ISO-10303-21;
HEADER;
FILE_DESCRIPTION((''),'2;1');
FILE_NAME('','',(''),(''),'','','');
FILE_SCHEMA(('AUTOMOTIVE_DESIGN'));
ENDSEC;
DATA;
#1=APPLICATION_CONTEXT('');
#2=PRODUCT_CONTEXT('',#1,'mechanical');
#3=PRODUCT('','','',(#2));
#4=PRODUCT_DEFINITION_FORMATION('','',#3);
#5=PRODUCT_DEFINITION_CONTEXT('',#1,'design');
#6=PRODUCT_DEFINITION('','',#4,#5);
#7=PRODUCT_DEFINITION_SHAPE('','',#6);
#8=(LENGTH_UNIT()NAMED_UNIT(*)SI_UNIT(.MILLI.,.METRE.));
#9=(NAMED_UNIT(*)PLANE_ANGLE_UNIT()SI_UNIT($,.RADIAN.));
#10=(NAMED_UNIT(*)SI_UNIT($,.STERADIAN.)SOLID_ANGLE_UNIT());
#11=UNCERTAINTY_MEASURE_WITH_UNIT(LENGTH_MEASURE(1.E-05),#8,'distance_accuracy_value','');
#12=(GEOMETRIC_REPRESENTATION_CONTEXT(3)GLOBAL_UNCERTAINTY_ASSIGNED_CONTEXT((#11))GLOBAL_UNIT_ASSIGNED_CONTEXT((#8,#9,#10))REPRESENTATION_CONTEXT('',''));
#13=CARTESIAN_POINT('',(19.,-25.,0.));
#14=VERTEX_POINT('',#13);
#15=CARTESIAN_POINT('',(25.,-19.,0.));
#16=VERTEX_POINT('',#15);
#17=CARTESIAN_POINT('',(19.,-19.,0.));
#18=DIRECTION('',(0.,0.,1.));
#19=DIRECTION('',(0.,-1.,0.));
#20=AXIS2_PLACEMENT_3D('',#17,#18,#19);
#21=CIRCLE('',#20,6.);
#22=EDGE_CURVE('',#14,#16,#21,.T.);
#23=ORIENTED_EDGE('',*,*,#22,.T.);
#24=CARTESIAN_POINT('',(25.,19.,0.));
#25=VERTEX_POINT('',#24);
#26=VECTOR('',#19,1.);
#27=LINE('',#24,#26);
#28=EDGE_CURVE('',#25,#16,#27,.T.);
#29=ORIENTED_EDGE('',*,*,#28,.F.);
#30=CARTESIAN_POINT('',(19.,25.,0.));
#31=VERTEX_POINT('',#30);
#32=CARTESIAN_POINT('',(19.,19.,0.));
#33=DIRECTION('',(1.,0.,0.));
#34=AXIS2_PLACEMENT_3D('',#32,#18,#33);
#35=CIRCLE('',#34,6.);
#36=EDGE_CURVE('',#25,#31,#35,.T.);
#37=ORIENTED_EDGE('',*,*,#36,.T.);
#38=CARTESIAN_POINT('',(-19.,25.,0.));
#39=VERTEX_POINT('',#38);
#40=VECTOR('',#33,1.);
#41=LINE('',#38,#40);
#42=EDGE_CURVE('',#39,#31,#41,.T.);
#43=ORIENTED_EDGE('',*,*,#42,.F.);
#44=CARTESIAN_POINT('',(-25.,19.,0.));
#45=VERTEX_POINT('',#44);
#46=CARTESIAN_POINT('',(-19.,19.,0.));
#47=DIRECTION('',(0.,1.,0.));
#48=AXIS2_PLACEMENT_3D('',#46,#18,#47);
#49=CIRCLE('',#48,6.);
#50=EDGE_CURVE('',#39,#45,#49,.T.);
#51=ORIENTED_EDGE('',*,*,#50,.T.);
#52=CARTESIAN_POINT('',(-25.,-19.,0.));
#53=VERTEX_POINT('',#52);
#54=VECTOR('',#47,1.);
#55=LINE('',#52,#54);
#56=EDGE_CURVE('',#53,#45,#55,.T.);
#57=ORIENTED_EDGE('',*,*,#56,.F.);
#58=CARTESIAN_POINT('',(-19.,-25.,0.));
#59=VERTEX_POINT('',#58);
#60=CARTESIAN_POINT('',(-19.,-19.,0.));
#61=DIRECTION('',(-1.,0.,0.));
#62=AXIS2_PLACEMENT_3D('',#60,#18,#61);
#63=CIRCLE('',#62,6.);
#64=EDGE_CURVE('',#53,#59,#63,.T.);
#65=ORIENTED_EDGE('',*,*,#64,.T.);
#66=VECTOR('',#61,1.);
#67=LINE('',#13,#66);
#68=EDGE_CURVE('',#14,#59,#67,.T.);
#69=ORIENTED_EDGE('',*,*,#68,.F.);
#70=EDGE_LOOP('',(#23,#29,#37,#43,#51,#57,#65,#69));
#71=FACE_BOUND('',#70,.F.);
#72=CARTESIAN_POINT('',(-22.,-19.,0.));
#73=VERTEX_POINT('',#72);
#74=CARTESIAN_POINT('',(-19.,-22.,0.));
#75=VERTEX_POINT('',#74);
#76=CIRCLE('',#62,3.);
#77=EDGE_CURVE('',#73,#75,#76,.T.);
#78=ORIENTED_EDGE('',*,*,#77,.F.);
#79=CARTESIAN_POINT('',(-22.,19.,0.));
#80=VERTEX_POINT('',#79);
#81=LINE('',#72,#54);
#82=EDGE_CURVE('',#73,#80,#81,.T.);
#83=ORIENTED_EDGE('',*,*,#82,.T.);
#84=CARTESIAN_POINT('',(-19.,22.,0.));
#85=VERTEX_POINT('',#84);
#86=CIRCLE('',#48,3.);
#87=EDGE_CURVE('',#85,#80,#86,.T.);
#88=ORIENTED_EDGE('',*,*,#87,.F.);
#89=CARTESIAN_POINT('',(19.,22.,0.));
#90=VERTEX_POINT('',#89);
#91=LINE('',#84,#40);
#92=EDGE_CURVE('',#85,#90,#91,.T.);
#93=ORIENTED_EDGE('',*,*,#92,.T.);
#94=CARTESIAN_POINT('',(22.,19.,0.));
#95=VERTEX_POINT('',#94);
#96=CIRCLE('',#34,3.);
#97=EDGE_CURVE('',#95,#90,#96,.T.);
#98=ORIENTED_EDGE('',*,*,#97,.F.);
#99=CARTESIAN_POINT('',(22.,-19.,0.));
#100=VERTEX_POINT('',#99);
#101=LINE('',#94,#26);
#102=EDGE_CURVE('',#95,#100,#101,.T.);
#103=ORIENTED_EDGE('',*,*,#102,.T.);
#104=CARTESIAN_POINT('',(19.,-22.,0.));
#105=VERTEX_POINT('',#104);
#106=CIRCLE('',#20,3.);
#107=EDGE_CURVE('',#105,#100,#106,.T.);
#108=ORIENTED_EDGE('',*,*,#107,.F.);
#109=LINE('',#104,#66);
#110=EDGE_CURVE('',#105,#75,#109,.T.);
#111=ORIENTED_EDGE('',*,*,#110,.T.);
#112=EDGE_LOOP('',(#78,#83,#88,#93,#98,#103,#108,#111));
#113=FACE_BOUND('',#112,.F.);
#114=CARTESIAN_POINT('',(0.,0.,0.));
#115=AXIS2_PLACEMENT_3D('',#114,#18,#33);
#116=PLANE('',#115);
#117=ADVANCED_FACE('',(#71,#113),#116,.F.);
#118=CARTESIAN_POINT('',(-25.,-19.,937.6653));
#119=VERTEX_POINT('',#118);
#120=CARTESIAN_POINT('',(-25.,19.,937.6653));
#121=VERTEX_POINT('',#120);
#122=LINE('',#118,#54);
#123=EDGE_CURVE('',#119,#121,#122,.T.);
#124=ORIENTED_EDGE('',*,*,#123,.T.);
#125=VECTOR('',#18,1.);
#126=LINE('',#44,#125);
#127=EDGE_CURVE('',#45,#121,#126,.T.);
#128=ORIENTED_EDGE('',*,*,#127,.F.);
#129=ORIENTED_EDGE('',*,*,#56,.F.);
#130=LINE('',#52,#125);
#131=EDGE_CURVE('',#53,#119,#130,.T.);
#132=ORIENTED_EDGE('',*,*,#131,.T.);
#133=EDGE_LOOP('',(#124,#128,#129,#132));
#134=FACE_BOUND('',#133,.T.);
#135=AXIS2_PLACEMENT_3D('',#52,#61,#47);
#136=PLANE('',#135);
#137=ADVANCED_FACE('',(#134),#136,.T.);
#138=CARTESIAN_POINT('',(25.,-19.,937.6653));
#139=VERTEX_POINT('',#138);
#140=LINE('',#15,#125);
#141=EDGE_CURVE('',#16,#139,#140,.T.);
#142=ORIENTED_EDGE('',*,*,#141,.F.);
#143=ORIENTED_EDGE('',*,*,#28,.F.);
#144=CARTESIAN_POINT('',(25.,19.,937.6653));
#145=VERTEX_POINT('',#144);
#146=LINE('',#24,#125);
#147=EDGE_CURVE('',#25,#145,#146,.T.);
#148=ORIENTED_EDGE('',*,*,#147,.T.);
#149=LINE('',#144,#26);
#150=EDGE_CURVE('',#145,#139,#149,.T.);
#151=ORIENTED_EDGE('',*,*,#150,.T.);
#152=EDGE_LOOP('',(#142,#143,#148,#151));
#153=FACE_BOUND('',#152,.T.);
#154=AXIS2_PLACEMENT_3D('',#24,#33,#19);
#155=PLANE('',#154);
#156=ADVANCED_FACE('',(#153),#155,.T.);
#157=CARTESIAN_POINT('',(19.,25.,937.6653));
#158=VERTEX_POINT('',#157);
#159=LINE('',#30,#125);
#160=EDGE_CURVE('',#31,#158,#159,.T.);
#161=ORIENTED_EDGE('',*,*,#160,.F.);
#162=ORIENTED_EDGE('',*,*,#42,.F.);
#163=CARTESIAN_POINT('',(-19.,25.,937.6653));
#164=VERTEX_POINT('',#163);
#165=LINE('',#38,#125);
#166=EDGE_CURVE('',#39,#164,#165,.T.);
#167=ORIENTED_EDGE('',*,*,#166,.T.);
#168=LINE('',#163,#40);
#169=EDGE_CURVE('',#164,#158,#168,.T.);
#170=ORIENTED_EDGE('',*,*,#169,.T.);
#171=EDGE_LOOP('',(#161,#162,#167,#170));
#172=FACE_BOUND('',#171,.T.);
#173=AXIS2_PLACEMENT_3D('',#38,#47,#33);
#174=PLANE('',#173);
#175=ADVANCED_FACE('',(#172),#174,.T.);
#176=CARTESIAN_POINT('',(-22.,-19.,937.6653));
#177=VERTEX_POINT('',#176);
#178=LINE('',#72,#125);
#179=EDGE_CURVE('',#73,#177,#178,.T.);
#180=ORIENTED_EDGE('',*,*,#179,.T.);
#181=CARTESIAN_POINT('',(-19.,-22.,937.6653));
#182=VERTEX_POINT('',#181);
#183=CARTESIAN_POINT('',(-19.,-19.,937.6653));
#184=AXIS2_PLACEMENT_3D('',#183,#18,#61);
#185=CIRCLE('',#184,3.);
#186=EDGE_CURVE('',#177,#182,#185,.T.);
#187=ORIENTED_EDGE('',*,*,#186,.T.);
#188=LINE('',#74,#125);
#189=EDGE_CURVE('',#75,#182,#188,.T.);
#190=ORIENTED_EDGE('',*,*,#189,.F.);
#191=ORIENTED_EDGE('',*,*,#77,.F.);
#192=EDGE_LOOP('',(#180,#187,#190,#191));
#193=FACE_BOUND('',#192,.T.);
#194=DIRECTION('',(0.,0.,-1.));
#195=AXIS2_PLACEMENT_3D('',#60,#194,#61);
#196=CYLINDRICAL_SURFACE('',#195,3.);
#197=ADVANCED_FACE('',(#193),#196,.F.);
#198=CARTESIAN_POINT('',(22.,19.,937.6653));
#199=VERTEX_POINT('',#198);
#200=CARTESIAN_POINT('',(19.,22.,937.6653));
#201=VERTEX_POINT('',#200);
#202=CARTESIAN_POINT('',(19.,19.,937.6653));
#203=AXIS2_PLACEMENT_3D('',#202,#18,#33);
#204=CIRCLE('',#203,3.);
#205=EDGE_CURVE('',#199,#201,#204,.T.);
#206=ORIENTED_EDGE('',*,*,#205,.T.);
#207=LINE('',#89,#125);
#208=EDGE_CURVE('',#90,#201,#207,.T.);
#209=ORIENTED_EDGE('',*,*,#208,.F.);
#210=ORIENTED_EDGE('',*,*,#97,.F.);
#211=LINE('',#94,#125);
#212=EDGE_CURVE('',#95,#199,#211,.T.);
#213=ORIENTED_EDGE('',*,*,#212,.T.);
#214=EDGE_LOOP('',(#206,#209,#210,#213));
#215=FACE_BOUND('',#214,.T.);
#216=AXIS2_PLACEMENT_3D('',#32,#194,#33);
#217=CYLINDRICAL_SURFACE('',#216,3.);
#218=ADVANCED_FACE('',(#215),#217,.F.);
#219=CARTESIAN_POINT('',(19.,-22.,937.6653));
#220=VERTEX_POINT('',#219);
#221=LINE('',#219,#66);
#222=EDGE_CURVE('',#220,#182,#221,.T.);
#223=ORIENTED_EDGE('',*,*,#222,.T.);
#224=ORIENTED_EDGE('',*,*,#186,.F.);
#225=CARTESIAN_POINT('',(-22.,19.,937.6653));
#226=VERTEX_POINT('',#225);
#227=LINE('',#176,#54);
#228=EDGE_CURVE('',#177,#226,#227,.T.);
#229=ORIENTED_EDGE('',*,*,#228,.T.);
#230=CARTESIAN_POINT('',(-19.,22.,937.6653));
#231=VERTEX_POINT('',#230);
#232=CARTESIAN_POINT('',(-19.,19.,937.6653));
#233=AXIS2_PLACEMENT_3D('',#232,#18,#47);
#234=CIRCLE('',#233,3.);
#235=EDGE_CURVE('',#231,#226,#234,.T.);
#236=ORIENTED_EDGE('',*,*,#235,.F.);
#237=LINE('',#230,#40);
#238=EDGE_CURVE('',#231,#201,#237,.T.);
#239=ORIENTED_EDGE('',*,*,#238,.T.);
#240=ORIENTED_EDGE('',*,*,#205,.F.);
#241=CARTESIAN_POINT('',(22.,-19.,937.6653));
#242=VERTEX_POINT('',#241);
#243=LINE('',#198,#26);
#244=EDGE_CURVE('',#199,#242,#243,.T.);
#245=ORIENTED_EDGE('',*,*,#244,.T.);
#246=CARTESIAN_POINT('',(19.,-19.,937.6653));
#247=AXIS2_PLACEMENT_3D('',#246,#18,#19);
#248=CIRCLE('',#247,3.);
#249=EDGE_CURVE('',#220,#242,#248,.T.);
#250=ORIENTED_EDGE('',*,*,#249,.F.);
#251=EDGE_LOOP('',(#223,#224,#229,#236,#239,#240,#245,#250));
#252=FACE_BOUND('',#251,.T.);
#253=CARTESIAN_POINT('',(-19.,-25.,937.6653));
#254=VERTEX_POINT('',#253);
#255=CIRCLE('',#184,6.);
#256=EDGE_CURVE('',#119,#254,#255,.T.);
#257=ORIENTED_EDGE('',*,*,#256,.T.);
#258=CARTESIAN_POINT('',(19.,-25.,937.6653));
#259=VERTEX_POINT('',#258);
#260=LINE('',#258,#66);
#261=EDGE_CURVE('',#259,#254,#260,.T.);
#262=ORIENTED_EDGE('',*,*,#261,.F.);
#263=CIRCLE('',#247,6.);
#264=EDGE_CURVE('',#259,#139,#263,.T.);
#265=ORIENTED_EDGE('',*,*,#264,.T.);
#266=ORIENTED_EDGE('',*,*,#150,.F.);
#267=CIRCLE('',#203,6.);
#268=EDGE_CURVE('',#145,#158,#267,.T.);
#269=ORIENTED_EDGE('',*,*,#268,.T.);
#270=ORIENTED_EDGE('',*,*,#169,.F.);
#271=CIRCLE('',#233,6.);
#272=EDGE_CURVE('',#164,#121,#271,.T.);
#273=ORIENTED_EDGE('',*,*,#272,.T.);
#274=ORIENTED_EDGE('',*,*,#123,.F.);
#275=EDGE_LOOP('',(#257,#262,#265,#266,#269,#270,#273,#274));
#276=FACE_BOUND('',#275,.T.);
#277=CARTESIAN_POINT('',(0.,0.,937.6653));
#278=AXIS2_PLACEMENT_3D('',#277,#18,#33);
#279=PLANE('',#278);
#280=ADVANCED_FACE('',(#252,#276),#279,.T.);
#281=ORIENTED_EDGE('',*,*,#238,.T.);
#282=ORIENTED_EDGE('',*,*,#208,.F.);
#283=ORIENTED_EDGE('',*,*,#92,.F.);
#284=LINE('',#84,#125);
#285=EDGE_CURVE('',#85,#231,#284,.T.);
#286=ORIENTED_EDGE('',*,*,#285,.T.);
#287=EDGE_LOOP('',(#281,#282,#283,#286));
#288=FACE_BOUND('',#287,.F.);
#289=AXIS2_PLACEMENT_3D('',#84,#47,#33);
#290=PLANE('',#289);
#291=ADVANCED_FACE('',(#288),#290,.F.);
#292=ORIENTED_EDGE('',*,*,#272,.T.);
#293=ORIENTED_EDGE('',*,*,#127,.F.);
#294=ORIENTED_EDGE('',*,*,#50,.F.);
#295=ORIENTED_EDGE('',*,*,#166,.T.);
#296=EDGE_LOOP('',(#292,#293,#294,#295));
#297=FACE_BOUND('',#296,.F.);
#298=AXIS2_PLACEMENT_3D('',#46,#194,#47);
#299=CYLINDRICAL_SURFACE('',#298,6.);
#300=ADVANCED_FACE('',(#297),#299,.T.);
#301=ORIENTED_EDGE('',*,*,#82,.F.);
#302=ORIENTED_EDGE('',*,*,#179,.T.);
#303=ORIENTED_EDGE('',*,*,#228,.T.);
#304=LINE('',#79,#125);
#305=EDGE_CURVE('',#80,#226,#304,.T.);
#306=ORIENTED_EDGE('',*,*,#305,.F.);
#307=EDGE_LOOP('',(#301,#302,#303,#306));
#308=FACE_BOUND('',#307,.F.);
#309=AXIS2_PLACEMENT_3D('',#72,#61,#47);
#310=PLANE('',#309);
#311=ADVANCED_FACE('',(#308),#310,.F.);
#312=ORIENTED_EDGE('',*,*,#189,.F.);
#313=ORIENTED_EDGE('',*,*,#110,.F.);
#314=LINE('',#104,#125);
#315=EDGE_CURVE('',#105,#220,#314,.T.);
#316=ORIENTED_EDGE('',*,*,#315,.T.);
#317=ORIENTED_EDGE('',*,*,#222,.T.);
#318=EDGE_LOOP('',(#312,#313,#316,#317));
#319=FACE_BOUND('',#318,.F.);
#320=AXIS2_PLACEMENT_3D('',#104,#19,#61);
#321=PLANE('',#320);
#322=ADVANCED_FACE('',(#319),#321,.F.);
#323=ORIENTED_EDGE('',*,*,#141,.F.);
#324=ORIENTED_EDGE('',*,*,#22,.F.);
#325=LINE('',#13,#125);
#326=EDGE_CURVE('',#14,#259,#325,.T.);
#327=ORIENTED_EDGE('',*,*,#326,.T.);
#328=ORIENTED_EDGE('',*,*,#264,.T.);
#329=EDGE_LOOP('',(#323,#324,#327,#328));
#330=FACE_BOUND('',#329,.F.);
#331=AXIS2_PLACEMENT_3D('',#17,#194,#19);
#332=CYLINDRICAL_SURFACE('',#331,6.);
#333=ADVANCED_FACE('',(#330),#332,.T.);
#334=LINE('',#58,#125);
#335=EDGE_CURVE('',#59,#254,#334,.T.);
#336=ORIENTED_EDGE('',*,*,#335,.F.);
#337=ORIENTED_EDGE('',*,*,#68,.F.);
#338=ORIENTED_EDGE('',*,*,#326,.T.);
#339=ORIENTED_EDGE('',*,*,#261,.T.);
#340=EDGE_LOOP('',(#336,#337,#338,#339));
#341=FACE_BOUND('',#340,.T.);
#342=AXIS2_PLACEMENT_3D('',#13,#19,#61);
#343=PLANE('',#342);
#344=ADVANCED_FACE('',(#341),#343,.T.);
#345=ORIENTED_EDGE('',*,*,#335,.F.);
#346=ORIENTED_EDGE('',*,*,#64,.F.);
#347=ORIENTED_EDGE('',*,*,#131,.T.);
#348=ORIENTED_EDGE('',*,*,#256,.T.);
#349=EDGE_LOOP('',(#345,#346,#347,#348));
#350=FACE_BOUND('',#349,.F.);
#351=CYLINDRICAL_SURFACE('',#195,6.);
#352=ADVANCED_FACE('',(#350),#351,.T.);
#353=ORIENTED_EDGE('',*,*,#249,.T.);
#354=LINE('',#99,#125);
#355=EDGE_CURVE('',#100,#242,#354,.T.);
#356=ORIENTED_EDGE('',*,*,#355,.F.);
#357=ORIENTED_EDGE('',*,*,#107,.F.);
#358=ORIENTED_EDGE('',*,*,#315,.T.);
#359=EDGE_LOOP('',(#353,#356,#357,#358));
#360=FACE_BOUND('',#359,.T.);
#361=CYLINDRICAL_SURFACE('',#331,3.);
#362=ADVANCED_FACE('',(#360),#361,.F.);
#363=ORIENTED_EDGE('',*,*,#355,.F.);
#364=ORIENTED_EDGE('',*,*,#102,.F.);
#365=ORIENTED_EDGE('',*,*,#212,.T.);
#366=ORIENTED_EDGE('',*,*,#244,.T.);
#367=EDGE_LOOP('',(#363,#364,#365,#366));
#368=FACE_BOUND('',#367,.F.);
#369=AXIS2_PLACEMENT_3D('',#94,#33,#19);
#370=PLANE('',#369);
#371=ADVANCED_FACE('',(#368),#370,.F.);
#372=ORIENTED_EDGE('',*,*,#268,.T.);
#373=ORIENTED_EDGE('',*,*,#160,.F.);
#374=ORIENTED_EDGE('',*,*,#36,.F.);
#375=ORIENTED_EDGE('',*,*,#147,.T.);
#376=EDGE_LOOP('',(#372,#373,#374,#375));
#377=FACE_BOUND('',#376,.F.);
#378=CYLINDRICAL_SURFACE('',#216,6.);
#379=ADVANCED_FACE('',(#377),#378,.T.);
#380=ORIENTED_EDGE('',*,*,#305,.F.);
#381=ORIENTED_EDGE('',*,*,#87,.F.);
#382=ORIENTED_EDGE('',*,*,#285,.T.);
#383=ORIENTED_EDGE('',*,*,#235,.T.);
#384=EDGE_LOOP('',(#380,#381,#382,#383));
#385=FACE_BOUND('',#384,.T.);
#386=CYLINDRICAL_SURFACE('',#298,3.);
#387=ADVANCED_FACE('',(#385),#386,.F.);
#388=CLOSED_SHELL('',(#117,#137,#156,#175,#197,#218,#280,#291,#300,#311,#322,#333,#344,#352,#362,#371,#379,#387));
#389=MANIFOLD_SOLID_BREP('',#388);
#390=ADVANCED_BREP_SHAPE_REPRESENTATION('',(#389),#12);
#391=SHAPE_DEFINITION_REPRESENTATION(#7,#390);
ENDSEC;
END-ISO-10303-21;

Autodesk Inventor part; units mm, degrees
ref_plane "YZ Plane" through (0, 0, 0) normal (1, 0, 0) x (0, 1, 0)
ref_plane "Start Plane" through (0, 0, 0) normal (0, 0, 1) x (1, 0, 0)
ref_plane "End Plane" through (0, 0, 937.6653) normal (0, 0, 1) x (1, 0, 0)
sketch "Sketch" plane through (0, 0, 0) normal (0, 0, 1) x (1, 0, 0)
  line L0 (-25, -19) -> (-25, 19)
  line L1 (-19, 25) -> (19, 25)
  line L2 (25, 19) -> (25, -19)
  line L3 (19, -25) -> (-19, -25)
  arc A0 (-25, -19) -> (-19, -25) centre (-19, -19) ccw
  arc A1 (25, 19) -> (19, 25) centre (19, 19) ccw
  arc A2 (-19, 25) -> (-25, 19) centre (-19, 19) ccw
  arc A3 (19, -25) -> (25, -19) centre (19, -19) ccw
  arc A4 (-19, 22) -> (-22, 19) centre (-19, 19) ccw
  line L4 (-19, 22) -> (19, 22)
  arc A5 (22, 19) -> (19, 22) centre (19, 19) ccw
  line L5 (22, 19) -> (22, -19)
  arc A6 (19, -22) -> (22, -19) centre (19, -19) ccw
  line L6 (19, -22) -> (-19, -22)
  arc A7 (-22, -19) -> (-19, -22) centre (-19, -19) ccw
  line L7 (-22, -19) -> (-22, 19)
  line L8 (0, 36.7397) -> (0, -36.7397) construction
  line L9 (-36.7397, 0) -> (36.7397, 0) construction
  dimension "d7" = 6
  dimension "d9" = 50
  dimension "d11" = 50
  dimension "d12" = 3
  dimension "d15" = 25
  dimension "d16" = 25
extrude "Body" add sketch "Sketch" along normal up to surface (937.6653 mm away) from surface at 0
sketch "Sketch3" plane through (0, 0, 0) normal (0, 0, 1) x (1, 0, 0)
  line L0 (0, 0) -> (10, 0)
ref_plane "Work Plane3" through (0, 0, 0) normal (0, -1, 0) x (1, 0, 0)
sketch "Sketch4" plane through (0, 0, 0) normal (0, -1, 0) x (1, 0, 0)
  line L0 (-2, 0) -> (12, 0) projected
  line L1 (-2, 937.6653) -> (12, 937.6653) projected
  dimension "d18" = 937.6653
equation "\"d7\" = G_IR"
equation "\"d9\" = G_W"
equation "\"d11\" = G_H"
equation "\"d12\" = G_T"
equation "\"d15\" = 0.5 * d9"
equation "\"d16\" = 0.5 * d11"
equation "\"d3\" = G_L"
equation "\"G_W\" = 50"
equation "\"G_H\" = 50"
equation "\"G_T\" = 3"
equation "\"G_IR\" = 6"
equation "\"G_L\" = d18"
equation "\"G_OFFSET_START\" = 0"
equation "\"G_OFFSET_END\" = 0"
equation "\"d14\" = G_OFFSET_END + B_L"
equation "\"B_L\" = 937.66534"
properties part number "ISO 10799-2 - 50x50x3 - 937.67" material "Steel, Mild"
